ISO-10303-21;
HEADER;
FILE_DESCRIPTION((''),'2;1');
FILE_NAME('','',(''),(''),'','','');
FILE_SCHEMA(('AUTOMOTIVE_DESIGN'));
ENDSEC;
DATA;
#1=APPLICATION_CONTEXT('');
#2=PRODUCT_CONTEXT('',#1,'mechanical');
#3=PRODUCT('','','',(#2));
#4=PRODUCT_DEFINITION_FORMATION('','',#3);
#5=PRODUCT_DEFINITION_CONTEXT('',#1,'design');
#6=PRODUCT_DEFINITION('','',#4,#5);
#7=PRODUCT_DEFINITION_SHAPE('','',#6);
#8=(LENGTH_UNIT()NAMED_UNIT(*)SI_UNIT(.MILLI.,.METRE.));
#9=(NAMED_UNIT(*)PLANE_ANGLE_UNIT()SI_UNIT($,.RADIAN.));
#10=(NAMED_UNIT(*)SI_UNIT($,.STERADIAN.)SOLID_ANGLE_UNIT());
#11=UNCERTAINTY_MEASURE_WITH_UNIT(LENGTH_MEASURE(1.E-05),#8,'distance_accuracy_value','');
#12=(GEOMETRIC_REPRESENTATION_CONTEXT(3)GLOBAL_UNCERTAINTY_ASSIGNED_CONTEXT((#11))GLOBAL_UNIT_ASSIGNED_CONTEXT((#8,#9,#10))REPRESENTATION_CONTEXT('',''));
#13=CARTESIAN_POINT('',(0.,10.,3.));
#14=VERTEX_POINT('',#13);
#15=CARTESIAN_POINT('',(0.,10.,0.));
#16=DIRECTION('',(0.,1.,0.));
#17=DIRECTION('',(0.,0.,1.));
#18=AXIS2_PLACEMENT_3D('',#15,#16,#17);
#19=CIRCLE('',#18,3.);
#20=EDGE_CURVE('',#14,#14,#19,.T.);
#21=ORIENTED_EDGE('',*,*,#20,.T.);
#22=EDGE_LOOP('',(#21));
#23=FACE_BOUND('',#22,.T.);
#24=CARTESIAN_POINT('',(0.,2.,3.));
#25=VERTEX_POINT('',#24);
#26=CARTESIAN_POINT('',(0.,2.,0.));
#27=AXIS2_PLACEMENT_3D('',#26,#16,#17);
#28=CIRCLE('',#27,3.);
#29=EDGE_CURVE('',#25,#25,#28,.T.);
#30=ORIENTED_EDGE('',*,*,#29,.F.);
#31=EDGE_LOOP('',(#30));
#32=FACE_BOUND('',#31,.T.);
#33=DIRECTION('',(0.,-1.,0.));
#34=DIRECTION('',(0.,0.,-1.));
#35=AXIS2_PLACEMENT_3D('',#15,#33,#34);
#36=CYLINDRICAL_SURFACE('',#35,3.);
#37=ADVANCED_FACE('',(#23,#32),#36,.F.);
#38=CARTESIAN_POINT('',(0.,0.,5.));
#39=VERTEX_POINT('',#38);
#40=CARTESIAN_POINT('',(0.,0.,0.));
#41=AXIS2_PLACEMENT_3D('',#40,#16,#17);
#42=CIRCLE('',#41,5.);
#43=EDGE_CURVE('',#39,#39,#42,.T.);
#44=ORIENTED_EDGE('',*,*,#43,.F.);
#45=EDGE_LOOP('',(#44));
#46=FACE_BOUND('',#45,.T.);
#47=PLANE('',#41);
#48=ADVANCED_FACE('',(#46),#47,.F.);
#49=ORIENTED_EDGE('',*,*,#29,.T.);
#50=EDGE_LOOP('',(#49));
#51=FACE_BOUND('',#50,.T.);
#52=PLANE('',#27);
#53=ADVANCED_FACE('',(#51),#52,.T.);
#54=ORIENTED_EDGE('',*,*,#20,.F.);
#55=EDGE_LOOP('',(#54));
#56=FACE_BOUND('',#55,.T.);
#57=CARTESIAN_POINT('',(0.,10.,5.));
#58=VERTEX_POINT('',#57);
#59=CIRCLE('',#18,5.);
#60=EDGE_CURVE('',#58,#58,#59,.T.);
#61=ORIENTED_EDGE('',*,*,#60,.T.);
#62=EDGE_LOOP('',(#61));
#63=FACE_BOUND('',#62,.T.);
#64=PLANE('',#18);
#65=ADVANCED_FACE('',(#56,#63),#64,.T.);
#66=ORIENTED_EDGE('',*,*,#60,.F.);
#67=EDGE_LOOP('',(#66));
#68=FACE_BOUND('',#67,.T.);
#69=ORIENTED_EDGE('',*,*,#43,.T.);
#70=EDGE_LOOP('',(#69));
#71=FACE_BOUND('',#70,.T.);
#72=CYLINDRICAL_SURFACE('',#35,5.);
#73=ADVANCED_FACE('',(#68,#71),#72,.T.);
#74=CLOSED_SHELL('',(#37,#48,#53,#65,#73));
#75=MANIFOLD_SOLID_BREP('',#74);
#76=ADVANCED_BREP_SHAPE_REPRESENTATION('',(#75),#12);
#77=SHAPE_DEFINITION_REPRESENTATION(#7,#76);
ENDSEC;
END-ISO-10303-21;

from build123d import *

# Parameters (mm, degrees)
SKETCH1_R           = 5
BOSS_EXTRUDE1_DEPTH = 10
SHELL2_T            = -2


with BuildPart() as part:
    # Sketch1 → Boss-Extrude1 (new body)
    with BuildSketch(Plane(origin=(0, 0, 0), x_dir=(1, 0, 0), z_dir=(0, 1, 0))):
        with Locations(Location((0, 0, 0), (0, 0, 270))):
            Circle(SKETCH1_R)
    extrude(amount=BOSS_EXTRUDE1_DEPTH)

    # Shell2
    shell2_openings = [part.faces().sort_by_distance(p)[0] for p in [
        (0, 10, 0),
    ]]
    offset(amount=SHELL2_T, openings=shell2_openings, kind=Kind.INTERSECTION)


solid = part.part
